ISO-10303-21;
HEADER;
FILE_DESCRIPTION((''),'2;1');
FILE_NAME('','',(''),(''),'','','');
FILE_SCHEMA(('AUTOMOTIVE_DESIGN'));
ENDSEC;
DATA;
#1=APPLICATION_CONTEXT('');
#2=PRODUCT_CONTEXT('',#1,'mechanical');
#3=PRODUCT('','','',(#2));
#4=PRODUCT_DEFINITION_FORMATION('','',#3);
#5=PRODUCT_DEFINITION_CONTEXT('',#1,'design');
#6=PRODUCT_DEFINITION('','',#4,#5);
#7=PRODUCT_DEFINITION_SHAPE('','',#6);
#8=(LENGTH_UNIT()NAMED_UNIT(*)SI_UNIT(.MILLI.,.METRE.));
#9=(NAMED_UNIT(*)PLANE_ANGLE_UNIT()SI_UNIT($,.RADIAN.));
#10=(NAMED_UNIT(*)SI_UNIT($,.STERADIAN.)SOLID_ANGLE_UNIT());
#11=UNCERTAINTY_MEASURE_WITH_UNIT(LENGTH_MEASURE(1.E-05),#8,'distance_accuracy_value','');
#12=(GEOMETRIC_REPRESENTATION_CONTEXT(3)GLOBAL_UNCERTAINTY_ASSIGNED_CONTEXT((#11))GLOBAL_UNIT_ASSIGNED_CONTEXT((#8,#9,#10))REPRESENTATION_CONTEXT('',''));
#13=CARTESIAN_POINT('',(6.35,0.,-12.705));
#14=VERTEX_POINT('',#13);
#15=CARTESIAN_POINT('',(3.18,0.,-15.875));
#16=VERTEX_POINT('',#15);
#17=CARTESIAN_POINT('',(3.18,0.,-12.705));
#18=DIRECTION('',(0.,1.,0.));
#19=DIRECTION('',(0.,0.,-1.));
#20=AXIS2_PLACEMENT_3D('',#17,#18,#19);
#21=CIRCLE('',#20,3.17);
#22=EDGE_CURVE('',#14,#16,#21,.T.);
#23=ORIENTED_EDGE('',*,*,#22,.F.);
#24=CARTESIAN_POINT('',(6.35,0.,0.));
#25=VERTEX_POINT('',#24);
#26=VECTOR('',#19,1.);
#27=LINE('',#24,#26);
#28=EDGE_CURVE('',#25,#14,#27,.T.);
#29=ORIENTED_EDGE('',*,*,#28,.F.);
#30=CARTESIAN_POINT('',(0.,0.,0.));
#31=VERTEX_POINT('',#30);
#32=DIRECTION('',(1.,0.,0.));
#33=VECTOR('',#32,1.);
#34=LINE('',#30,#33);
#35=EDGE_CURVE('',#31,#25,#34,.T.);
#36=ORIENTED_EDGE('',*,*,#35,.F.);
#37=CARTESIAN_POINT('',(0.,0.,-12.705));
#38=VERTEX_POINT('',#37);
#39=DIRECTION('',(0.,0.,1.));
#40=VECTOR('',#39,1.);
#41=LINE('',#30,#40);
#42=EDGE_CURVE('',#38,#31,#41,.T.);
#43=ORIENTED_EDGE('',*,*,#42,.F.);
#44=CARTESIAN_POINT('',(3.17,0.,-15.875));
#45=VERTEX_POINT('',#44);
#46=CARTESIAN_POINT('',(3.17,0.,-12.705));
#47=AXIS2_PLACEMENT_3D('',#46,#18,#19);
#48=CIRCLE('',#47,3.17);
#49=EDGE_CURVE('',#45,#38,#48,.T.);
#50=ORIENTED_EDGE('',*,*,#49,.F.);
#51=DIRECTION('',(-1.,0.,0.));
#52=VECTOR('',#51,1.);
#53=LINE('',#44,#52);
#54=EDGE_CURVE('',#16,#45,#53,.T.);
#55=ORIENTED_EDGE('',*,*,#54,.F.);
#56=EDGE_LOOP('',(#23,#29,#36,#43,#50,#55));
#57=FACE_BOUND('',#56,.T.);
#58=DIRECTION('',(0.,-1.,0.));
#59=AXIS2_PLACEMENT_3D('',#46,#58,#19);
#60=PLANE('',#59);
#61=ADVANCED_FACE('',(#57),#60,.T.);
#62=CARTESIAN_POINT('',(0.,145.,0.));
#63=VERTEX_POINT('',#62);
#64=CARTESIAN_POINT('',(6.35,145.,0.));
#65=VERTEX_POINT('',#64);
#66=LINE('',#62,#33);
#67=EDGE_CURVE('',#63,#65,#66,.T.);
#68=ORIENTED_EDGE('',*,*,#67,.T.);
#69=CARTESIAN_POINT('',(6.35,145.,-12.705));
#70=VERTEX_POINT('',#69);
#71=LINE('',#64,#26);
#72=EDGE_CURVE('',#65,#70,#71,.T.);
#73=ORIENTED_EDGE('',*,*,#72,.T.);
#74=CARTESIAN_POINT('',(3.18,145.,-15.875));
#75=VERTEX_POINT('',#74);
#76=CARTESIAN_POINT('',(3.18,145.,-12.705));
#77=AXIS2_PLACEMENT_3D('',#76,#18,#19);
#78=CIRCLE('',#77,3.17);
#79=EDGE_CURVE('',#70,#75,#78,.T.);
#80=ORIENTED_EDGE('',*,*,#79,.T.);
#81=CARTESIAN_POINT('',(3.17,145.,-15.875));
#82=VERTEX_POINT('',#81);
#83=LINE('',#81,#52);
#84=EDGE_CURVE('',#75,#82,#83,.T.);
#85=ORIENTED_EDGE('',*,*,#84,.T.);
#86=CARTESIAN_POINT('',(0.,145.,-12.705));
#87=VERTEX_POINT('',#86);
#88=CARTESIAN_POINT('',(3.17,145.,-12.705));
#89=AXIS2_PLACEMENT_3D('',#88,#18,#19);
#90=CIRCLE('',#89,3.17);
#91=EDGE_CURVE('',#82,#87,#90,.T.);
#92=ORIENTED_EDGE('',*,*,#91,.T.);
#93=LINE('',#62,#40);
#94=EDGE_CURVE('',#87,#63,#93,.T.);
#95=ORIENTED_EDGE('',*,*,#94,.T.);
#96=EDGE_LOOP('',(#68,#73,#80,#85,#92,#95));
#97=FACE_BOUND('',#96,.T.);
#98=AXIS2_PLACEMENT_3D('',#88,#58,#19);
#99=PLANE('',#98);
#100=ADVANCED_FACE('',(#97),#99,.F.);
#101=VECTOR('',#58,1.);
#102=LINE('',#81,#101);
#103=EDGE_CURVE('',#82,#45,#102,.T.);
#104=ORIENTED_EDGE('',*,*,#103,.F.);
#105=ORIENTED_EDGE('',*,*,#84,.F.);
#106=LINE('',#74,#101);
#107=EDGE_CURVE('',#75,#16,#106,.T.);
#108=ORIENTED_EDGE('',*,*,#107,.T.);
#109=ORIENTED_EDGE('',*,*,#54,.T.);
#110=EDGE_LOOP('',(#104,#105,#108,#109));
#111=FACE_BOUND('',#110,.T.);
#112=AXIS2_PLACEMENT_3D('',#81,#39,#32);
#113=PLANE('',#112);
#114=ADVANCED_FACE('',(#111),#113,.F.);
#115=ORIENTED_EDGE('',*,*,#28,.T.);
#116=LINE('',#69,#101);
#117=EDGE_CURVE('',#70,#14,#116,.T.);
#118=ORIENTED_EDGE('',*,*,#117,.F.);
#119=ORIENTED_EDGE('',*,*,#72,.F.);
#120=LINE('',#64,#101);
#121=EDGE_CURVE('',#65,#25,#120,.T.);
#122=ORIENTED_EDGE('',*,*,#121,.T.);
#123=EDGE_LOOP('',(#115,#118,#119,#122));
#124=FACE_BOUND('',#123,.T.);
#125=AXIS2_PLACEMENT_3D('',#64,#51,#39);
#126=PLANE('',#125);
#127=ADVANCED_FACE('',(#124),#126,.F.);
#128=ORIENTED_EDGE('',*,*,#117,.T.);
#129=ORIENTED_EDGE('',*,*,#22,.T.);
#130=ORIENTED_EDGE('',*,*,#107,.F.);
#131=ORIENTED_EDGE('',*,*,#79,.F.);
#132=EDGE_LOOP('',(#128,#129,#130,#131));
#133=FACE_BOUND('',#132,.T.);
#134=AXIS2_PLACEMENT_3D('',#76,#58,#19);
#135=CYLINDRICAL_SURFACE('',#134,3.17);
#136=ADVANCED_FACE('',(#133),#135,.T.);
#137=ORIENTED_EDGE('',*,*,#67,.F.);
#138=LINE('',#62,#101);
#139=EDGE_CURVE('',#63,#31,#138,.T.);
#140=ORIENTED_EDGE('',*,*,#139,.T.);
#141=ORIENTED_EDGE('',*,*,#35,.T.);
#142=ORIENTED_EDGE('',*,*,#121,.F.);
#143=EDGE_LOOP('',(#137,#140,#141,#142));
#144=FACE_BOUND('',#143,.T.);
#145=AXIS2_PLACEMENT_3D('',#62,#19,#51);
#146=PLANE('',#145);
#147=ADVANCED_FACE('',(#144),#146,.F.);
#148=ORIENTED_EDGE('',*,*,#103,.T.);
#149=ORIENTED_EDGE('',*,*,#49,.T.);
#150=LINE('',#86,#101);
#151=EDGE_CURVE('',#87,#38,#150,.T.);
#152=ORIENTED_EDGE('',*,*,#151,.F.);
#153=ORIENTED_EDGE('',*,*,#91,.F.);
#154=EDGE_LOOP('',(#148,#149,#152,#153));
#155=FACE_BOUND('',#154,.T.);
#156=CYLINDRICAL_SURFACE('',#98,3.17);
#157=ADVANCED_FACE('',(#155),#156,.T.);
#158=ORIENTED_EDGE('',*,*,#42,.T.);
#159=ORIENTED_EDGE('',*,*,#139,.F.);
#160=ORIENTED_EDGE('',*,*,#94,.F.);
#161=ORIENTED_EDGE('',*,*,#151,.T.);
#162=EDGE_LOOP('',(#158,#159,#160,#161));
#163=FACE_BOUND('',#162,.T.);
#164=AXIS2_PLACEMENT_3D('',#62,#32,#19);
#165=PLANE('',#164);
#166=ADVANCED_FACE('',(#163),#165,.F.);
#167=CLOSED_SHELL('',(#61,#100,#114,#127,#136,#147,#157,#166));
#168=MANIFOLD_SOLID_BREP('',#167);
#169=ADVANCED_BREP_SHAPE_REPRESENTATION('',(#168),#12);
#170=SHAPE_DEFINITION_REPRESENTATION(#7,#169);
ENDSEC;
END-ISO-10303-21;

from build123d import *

# Parameters (mm, degrees)
BOSS_EXTRUDE1_DEPTH = 145


with BuildPart() as part:
    # Sketch1 → Boss-Extrude1 (new body)
    with BuildSketch(Plane(origin=(0, 0, 0), x_dir=(1, 0, 0), z_dir=(0, 1, 0))):
        with BuildLine():
            Line((0, 0), (6.35, 0))
            Line((6.35, 0), (6.35, 12.705))
            ThreePointArc((6.35, 12.705), (5.421528496, 14.946528496), (3.18, 15.875))
            Line((3.18, 15.875), (3.17, 15.875))
            ThreePointArc((3.17, 15.875), (0.928471504, 14.946528496), (0, 12.705))
            Line((0, 12.705), (0, 0))
        make_face()
    extrude(amount=BOSS_EXTRUDE1_DEPTH)


solid = part.part
